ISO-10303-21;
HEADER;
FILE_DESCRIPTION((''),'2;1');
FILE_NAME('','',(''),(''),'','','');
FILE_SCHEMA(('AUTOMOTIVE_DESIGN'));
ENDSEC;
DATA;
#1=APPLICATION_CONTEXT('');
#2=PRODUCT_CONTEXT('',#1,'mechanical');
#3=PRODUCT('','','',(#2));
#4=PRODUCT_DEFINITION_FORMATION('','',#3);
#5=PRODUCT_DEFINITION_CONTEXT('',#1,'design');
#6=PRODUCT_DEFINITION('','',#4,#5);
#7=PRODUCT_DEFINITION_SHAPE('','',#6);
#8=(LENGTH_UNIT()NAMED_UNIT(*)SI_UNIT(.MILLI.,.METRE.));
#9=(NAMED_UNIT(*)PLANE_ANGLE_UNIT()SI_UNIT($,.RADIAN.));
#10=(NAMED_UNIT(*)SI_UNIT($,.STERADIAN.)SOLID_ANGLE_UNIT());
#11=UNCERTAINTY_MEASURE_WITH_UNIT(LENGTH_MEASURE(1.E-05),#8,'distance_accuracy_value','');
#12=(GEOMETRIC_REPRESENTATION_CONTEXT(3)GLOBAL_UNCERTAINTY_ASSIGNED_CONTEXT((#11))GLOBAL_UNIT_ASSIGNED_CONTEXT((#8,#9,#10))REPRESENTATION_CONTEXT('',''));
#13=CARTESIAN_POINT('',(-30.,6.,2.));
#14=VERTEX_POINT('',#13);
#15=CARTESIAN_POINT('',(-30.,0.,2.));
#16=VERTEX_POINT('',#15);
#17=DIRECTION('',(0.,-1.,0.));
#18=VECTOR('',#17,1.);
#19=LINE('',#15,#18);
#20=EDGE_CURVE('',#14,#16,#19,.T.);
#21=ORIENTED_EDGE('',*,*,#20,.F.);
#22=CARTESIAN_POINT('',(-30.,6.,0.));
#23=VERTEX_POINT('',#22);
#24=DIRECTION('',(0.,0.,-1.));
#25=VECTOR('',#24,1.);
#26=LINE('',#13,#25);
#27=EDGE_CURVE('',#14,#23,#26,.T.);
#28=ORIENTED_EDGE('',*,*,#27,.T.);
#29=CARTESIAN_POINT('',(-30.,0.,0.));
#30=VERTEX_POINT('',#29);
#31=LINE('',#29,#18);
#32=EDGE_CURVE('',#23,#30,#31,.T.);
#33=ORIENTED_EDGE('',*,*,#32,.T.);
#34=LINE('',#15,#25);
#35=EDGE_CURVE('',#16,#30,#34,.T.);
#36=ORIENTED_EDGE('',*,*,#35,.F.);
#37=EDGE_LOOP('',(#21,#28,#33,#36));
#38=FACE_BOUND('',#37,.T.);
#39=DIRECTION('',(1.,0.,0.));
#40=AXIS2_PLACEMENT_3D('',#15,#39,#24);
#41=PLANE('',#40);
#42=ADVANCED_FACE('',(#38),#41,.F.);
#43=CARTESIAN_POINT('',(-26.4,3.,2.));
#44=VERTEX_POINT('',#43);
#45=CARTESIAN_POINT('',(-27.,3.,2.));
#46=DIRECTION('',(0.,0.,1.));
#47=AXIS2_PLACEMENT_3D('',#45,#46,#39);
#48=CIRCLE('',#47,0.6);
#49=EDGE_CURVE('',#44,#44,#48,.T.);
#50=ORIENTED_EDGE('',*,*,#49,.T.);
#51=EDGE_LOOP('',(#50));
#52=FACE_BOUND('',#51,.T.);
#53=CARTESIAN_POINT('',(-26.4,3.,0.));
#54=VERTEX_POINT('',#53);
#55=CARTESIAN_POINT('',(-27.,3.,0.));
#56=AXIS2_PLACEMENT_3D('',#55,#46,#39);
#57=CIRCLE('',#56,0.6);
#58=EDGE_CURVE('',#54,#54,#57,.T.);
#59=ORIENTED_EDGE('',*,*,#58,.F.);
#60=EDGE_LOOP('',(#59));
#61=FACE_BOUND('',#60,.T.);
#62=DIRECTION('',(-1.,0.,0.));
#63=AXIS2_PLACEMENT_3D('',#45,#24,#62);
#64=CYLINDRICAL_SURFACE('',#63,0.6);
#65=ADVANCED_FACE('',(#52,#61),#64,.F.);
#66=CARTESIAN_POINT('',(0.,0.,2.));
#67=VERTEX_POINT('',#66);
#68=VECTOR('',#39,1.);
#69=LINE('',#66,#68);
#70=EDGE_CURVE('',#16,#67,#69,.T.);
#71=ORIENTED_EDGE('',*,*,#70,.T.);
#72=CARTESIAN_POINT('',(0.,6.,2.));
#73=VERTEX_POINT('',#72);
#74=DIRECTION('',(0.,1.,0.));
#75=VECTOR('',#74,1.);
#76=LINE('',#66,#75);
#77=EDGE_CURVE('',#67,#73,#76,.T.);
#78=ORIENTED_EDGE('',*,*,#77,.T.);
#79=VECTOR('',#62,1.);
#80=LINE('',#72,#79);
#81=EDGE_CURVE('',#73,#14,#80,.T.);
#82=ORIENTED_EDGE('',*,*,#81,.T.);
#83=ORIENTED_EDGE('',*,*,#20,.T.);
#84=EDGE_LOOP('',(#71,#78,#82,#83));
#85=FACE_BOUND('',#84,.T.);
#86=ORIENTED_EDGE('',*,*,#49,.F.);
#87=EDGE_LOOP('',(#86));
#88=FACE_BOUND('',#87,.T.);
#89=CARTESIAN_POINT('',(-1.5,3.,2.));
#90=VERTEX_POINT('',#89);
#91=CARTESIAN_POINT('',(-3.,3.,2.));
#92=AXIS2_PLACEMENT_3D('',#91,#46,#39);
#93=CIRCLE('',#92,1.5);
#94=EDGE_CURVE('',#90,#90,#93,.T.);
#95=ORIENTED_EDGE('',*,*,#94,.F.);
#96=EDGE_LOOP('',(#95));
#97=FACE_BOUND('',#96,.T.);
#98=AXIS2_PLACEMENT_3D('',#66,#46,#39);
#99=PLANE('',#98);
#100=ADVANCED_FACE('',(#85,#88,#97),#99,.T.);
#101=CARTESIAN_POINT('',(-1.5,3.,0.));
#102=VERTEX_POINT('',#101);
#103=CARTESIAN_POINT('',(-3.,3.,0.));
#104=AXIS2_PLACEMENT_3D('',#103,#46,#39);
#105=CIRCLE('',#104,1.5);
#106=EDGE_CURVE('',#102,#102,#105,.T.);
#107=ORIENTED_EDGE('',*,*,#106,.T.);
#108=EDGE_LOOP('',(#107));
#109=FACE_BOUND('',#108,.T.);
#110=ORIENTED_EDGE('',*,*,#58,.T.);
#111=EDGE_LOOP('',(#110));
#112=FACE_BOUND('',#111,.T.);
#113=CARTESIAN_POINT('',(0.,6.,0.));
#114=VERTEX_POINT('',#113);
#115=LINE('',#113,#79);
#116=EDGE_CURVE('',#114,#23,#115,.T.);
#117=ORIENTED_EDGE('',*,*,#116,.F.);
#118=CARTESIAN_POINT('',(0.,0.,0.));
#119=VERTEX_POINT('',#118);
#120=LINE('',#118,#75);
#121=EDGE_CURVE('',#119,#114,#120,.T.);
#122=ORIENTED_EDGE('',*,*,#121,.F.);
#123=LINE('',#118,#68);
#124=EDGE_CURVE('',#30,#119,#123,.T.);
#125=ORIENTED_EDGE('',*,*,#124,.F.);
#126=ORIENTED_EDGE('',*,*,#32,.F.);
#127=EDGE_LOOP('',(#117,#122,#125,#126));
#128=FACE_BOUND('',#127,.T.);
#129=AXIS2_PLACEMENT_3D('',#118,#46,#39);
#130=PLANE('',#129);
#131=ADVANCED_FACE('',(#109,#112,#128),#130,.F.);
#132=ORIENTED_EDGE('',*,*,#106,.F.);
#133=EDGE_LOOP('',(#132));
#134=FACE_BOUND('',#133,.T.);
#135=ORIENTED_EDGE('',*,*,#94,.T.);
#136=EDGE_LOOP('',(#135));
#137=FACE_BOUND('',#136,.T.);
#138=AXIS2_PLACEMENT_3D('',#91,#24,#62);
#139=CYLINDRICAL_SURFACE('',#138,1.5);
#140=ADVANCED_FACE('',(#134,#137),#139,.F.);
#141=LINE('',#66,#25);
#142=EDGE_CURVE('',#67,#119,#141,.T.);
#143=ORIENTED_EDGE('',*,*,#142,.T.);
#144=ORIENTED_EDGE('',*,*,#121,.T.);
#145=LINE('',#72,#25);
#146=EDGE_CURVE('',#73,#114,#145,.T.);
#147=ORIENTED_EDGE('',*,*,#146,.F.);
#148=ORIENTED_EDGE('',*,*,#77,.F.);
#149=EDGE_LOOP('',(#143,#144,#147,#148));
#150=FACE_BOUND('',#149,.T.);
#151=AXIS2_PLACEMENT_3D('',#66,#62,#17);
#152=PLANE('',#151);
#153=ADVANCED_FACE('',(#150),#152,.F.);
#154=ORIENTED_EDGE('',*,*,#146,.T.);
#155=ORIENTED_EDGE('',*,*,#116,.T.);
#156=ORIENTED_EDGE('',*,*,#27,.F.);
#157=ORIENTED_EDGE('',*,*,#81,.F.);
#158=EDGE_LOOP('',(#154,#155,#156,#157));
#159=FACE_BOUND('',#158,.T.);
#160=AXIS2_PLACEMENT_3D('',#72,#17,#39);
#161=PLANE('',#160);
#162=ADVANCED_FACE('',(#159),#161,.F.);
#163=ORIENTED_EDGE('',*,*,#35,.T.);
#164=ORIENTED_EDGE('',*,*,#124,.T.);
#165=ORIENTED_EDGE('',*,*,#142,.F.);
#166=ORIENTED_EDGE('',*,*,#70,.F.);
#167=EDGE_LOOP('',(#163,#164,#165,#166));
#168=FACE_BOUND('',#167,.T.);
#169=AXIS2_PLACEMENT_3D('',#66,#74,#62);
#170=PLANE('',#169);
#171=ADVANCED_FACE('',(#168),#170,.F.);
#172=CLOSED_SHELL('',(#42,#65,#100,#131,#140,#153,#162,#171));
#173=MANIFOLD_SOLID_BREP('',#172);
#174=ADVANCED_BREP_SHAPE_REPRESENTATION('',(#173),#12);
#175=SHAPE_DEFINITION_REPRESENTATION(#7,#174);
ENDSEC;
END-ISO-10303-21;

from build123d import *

# Parameters (mm, degrees)
SKETCH1_W           = 30
SKETCH1_H           = 6
SKETCH1_R           = 0.6
SKETCH1_R_2         = 1.5
BOSS_EXTRUDE1_DEPTH = 2


with BuildPart() as part:
    # Sketch1 → Boss-Extrude1 (new body)
    with BuildSketch(Plane.XY):
        with Locations((-15, 3)):
            Rectangle(SKETCH1_W, SKETCH1_H)
        with Locations((-27, 3)):
            Circle(SKETCH1_R, mode=Mode.SUBTRACT)
        with Locations((-3, 3)):
            Circle(SKETCH1_R_2, mode=Mode.SUBTRACT)
    extrude(amount=BOSS_EXTRUDE1_DEPTH)


solid = part.part
